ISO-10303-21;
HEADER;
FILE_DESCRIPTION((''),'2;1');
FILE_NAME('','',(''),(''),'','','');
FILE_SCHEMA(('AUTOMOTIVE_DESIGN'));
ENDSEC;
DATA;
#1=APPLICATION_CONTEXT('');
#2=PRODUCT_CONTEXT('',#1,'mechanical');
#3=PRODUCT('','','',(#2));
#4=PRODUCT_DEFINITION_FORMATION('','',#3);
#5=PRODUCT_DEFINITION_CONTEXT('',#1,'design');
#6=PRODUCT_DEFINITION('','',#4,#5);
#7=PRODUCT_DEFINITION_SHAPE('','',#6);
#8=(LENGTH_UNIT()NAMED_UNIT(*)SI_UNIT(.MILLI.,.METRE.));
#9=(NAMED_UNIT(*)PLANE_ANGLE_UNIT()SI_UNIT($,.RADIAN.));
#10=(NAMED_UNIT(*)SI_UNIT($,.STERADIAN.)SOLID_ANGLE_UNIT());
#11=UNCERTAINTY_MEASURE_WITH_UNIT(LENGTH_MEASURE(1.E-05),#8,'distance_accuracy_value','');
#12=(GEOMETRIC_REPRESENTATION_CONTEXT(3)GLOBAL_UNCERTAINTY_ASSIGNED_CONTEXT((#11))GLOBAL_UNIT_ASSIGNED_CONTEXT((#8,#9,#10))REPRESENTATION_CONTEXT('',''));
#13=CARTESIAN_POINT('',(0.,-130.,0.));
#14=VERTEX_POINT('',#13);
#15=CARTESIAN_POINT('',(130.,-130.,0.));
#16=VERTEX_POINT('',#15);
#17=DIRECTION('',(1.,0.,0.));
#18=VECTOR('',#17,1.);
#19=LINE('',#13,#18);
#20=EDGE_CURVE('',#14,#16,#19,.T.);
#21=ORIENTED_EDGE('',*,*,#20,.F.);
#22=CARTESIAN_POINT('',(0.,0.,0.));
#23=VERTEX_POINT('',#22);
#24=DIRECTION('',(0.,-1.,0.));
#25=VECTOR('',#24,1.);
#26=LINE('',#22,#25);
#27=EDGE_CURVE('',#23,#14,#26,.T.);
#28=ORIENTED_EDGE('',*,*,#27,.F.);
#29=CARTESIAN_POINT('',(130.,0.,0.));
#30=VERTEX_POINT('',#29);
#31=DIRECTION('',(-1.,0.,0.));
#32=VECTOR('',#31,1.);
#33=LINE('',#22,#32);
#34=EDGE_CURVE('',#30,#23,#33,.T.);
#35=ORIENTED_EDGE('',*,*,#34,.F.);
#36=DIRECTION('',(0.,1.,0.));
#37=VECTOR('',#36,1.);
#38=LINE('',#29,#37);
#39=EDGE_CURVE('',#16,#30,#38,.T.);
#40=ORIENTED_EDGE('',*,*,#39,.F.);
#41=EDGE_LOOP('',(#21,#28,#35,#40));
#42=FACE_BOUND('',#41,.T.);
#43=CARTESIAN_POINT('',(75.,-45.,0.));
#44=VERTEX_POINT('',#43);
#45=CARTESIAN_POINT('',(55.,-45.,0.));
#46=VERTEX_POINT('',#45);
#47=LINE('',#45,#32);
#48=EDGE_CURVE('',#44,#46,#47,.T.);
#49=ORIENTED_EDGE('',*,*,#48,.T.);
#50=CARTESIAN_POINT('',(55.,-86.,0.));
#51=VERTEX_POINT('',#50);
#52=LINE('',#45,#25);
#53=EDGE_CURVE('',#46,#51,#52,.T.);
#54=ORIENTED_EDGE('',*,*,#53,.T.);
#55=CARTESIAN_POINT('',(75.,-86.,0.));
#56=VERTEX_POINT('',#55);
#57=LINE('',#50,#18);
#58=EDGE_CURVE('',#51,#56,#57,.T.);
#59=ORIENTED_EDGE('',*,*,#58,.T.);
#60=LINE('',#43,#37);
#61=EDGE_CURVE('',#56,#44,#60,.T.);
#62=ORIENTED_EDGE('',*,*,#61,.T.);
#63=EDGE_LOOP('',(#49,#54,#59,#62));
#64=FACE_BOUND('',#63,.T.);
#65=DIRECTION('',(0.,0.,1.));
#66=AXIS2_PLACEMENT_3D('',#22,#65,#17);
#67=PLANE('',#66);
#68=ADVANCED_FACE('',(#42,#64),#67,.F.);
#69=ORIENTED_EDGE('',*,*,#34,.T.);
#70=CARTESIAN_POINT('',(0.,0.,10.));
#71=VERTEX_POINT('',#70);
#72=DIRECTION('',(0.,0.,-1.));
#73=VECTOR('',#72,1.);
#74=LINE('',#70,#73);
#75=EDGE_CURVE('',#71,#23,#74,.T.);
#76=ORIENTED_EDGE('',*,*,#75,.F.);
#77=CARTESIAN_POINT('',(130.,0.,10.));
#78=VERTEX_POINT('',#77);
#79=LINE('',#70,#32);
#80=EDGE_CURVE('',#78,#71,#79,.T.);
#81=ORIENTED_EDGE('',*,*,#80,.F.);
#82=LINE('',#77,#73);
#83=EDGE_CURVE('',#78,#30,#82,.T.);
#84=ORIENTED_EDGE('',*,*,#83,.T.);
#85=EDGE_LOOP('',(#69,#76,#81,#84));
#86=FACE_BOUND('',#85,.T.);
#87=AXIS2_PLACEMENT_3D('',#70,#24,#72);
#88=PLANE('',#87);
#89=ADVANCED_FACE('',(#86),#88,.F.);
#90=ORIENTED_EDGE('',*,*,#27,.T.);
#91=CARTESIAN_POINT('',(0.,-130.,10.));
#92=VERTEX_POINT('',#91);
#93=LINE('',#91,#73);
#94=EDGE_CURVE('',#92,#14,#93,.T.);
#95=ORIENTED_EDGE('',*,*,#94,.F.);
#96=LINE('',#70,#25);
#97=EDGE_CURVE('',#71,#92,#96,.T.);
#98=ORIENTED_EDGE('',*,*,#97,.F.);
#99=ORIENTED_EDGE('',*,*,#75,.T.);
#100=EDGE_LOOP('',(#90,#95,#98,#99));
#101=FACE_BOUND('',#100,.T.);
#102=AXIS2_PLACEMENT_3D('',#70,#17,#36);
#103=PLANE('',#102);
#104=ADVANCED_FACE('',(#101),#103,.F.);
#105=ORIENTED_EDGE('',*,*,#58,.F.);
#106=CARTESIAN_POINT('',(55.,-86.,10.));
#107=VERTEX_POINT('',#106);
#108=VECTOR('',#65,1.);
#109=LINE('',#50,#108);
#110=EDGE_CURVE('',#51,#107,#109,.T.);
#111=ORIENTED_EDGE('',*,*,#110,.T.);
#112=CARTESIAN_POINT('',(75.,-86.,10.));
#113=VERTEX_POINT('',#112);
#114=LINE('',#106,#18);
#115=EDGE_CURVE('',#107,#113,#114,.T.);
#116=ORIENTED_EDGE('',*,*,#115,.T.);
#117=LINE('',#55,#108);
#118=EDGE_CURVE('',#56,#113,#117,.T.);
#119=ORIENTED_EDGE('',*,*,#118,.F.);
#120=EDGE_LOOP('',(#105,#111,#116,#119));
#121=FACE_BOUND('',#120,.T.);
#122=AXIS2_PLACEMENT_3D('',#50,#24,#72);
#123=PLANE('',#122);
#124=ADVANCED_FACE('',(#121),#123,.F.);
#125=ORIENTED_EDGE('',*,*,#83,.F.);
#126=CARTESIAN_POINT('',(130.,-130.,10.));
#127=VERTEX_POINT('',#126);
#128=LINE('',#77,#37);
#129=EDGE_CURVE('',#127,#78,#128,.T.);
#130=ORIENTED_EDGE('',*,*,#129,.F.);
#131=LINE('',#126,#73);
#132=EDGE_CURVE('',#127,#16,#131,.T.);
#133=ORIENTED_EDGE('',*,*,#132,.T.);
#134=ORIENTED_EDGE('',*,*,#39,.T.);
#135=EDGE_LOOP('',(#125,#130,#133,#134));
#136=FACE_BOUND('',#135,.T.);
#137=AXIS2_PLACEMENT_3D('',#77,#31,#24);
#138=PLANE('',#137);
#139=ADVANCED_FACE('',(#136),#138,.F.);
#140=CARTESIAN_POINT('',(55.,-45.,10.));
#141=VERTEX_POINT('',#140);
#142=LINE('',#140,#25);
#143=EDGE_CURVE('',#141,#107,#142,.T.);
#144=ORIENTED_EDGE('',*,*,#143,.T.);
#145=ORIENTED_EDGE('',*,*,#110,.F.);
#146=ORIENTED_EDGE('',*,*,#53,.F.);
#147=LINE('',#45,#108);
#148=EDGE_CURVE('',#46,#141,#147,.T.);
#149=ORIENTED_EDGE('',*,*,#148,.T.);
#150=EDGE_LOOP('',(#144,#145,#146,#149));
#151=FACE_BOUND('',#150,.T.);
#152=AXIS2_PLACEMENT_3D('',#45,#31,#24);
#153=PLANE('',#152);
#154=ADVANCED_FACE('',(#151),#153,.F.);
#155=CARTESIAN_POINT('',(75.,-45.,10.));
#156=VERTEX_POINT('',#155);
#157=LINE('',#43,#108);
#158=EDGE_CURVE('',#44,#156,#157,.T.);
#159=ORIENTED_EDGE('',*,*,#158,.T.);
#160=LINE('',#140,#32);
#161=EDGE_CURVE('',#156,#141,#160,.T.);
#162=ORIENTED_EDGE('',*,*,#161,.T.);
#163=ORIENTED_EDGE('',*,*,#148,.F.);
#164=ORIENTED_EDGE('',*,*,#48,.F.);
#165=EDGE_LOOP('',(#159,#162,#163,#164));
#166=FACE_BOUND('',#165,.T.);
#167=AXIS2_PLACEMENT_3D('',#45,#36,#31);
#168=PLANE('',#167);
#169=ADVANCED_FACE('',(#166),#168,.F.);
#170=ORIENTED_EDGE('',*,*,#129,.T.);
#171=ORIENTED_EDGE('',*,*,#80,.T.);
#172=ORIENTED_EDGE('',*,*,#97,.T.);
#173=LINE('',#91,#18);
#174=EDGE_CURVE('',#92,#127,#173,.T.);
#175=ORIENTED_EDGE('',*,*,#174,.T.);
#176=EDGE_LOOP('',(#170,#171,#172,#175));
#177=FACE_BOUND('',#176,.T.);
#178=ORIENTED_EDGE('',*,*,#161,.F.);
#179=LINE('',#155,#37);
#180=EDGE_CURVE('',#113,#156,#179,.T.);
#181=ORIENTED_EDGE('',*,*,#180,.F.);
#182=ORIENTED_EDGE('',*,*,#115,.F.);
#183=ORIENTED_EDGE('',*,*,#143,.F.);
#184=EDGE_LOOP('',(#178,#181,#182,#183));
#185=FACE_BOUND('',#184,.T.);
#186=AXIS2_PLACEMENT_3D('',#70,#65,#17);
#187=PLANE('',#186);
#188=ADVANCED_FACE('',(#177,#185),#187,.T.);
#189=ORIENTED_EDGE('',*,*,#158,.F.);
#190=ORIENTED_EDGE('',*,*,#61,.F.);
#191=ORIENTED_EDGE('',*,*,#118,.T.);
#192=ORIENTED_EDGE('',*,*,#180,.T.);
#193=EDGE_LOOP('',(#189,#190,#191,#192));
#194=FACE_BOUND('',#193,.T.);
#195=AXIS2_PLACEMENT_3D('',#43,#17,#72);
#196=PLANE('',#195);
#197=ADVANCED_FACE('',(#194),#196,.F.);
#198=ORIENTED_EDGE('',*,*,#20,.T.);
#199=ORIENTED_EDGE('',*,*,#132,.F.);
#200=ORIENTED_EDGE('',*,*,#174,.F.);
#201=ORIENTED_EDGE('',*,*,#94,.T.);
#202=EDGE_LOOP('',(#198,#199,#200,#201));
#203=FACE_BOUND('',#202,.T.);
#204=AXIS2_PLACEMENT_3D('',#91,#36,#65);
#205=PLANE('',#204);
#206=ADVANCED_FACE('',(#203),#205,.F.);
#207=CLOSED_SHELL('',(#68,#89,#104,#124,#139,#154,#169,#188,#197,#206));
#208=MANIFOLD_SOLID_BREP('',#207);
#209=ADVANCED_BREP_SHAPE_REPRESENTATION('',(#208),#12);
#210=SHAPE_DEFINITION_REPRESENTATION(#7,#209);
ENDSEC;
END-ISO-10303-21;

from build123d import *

# Parameters (mm, degrees)
ESQUISSE1_W             = 130
ESQUISSE1_H             = 130
BOSS_EXTRU_1_DEPTH      = 10
ESQUISSE2_W             = 20
ESQUISSE2_H             = 41
ENL_V_MAT_EXTRU_1_DEPTH = 10


with BuildPart() as part:
    # Esquisse1 → Boss.-Extru.1 (new body)
    with BuildSketch(Plane.XY):
        with Locations((65, -65)):
            Rectangle(ESQUISSE1_W, ESQUISSE1_H)
    extrude(amount=BOSS_EXTRU_1_DEPTH)

    # Esquisse2 → Enlèv. mat.-Extru.1 (cut)
    with BuildSketch(Plane.XY.offset(10)):
        with Locations((65, -65.5)):
            Rectangle(ESQUISSE2_W, ESQUISSE2_H)
    extrude(amount=-ENL_V_MAT_EXTRU_1_DEPTH, mode=Mode.SUBTRACT)


solid = part.part
